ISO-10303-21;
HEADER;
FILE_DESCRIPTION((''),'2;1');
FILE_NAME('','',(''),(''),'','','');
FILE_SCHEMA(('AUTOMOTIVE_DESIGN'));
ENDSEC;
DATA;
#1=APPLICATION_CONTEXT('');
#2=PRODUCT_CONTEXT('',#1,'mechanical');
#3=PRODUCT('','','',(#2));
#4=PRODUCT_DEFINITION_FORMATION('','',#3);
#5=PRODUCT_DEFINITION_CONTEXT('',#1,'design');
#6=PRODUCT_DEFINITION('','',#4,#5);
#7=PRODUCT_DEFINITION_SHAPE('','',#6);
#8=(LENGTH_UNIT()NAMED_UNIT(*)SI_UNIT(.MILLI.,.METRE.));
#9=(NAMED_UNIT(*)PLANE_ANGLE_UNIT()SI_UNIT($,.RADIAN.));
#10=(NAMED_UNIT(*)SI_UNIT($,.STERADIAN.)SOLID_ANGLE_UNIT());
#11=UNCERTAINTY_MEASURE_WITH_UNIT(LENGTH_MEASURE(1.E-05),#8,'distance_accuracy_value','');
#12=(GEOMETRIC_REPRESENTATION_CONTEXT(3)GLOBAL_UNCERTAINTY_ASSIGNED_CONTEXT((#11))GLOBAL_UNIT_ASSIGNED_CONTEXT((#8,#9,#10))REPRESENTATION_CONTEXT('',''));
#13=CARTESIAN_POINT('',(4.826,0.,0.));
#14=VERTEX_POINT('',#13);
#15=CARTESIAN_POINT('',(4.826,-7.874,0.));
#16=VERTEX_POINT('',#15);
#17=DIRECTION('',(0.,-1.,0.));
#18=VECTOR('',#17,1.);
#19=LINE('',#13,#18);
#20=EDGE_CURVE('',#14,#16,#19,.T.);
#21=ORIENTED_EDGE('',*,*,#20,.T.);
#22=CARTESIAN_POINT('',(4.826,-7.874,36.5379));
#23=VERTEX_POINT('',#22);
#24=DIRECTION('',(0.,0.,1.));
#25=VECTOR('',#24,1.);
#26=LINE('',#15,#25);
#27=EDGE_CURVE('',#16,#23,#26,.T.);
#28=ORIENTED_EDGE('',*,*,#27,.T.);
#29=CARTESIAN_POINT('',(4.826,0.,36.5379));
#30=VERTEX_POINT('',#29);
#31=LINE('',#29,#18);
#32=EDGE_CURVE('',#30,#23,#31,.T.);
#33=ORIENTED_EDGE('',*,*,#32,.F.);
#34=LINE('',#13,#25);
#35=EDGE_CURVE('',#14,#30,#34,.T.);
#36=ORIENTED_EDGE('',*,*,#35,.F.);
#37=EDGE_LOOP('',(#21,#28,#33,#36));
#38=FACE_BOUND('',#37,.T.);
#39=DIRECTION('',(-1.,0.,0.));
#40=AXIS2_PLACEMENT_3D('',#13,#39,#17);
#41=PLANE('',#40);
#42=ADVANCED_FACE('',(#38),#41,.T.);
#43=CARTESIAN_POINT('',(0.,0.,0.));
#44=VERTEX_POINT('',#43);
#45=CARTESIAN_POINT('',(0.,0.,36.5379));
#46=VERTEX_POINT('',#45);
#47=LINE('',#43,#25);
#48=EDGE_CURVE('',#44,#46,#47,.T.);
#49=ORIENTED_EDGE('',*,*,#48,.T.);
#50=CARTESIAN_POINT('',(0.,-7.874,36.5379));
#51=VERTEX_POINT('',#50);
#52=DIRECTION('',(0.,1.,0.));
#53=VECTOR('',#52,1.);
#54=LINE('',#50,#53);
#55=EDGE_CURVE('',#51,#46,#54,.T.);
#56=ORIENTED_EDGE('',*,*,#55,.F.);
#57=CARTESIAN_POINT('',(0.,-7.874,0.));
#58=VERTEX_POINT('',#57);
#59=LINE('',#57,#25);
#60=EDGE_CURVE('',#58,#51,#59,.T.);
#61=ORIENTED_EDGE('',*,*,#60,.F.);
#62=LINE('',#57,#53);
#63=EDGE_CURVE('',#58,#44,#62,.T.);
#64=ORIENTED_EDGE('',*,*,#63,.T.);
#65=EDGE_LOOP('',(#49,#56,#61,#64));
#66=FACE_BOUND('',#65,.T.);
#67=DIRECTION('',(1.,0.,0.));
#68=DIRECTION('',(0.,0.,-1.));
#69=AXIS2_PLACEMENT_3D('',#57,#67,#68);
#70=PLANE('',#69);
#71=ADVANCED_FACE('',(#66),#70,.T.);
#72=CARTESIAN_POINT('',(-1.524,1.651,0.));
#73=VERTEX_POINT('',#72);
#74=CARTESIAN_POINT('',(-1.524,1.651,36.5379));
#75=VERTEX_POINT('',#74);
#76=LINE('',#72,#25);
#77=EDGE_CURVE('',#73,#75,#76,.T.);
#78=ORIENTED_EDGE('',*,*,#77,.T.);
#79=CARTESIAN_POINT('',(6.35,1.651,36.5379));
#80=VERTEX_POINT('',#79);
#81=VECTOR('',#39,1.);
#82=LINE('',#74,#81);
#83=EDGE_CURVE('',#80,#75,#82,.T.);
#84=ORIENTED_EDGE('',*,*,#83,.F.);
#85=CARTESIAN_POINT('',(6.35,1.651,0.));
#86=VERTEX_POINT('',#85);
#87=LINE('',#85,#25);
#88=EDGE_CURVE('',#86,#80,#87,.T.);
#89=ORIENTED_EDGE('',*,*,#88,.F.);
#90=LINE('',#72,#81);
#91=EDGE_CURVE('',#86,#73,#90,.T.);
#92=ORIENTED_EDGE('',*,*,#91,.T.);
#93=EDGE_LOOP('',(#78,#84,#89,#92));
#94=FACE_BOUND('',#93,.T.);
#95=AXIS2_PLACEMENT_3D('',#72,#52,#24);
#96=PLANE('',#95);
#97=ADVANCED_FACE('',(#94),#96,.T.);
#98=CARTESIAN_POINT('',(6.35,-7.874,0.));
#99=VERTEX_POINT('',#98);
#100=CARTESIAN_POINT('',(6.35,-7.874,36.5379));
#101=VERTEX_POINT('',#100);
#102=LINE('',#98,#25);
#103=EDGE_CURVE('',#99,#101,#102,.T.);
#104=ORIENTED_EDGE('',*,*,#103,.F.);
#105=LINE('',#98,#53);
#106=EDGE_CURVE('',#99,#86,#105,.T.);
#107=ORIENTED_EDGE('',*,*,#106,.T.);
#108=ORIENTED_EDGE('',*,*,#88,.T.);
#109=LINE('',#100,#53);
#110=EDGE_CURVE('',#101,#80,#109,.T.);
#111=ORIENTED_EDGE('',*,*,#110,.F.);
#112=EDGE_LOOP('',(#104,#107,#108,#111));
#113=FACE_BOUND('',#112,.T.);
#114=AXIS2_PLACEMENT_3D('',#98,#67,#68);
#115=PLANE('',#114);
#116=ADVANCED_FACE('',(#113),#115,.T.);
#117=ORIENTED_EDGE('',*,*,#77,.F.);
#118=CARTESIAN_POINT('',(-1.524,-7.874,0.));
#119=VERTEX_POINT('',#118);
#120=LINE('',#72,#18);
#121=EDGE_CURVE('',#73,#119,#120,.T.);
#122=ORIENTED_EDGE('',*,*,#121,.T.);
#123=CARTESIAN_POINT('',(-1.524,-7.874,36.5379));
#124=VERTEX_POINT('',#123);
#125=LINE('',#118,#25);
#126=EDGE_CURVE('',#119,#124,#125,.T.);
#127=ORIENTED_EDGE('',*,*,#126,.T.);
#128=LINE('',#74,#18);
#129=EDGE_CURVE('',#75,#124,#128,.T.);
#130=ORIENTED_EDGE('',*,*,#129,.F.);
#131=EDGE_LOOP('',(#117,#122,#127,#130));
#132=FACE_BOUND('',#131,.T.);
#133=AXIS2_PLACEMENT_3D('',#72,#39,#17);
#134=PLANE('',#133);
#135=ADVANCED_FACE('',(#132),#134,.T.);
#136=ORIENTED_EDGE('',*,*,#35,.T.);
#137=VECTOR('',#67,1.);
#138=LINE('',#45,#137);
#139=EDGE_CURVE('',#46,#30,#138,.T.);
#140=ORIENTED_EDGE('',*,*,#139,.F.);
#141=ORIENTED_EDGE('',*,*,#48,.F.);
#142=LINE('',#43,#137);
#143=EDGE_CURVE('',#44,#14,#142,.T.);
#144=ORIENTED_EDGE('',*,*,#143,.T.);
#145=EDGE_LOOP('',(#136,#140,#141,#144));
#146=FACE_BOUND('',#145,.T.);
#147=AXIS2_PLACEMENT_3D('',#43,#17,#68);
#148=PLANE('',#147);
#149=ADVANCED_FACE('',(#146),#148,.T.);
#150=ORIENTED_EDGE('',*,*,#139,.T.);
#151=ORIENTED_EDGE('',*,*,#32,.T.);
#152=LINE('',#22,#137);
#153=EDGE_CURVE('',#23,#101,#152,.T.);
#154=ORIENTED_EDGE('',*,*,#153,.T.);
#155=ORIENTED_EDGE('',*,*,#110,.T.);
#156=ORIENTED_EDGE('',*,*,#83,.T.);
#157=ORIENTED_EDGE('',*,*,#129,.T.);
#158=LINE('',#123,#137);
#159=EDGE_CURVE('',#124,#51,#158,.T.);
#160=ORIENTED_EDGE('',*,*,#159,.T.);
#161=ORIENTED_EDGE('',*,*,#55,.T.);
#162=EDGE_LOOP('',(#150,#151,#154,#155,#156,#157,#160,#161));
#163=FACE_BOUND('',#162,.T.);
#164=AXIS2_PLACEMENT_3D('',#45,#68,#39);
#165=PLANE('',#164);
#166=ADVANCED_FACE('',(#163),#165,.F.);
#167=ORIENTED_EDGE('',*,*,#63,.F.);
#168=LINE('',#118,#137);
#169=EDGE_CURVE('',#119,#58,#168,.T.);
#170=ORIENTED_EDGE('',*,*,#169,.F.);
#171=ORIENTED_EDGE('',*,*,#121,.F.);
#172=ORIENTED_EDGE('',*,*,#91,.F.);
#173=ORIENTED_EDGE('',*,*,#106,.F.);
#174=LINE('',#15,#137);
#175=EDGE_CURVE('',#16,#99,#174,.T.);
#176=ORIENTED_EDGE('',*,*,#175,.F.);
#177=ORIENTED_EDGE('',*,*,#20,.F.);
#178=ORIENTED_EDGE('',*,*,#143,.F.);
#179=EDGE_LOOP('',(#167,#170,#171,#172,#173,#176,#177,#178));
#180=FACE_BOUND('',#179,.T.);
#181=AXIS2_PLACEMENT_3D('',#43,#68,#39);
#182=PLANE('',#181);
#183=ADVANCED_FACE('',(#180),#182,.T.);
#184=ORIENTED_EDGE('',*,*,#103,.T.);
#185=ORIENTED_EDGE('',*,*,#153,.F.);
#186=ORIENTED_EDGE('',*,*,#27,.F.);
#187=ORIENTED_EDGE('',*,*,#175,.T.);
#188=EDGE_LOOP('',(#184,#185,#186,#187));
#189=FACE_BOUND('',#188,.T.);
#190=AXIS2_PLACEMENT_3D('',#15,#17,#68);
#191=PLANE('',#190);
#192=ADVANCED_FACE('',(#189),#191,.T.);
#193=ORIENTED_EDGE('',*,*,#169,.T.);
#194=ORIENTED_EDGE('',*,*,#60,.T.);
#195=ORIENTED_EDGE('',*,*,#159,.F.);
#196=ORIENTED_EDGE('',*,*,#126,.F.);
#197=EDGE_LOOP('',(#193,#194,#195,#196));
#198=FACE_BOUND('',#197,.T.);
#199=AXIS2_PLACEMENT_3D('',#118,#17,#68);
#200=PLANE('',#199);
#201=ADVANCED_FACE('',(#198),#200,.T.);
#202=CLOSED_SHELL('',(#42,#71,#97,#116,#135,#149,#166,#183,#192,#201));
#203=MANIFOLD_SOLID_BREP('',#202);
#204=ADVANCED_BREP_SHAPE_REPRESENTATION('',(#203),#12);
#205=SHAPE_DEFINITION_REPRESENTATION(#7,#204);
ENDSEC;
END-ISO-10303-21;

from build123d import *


with BuildPart() as part:
    # Sweep3: sweep along a path in Sketch3
    with BuildLine(Plane(origin=(0, 0, 0), x_dir=(0, 0, -1), z_dir=(1, 0, 0))) as sweep3_path:
        Line((0, 0), (-36.5379, 0))
    # Sketch2 → Sweep3 (sweep)
    with BuildSketch(Plane.XY):
        Polygon((0, 0), (4.826, 0), (4.826, -7.874), (6.35, -7.874), (6.35, 1.651), (-1.524, 1.651), (-1.524, -7.874), (0, -7.874), align=None)
    sweep(path=sweep3_path.line)


solid = part.part
